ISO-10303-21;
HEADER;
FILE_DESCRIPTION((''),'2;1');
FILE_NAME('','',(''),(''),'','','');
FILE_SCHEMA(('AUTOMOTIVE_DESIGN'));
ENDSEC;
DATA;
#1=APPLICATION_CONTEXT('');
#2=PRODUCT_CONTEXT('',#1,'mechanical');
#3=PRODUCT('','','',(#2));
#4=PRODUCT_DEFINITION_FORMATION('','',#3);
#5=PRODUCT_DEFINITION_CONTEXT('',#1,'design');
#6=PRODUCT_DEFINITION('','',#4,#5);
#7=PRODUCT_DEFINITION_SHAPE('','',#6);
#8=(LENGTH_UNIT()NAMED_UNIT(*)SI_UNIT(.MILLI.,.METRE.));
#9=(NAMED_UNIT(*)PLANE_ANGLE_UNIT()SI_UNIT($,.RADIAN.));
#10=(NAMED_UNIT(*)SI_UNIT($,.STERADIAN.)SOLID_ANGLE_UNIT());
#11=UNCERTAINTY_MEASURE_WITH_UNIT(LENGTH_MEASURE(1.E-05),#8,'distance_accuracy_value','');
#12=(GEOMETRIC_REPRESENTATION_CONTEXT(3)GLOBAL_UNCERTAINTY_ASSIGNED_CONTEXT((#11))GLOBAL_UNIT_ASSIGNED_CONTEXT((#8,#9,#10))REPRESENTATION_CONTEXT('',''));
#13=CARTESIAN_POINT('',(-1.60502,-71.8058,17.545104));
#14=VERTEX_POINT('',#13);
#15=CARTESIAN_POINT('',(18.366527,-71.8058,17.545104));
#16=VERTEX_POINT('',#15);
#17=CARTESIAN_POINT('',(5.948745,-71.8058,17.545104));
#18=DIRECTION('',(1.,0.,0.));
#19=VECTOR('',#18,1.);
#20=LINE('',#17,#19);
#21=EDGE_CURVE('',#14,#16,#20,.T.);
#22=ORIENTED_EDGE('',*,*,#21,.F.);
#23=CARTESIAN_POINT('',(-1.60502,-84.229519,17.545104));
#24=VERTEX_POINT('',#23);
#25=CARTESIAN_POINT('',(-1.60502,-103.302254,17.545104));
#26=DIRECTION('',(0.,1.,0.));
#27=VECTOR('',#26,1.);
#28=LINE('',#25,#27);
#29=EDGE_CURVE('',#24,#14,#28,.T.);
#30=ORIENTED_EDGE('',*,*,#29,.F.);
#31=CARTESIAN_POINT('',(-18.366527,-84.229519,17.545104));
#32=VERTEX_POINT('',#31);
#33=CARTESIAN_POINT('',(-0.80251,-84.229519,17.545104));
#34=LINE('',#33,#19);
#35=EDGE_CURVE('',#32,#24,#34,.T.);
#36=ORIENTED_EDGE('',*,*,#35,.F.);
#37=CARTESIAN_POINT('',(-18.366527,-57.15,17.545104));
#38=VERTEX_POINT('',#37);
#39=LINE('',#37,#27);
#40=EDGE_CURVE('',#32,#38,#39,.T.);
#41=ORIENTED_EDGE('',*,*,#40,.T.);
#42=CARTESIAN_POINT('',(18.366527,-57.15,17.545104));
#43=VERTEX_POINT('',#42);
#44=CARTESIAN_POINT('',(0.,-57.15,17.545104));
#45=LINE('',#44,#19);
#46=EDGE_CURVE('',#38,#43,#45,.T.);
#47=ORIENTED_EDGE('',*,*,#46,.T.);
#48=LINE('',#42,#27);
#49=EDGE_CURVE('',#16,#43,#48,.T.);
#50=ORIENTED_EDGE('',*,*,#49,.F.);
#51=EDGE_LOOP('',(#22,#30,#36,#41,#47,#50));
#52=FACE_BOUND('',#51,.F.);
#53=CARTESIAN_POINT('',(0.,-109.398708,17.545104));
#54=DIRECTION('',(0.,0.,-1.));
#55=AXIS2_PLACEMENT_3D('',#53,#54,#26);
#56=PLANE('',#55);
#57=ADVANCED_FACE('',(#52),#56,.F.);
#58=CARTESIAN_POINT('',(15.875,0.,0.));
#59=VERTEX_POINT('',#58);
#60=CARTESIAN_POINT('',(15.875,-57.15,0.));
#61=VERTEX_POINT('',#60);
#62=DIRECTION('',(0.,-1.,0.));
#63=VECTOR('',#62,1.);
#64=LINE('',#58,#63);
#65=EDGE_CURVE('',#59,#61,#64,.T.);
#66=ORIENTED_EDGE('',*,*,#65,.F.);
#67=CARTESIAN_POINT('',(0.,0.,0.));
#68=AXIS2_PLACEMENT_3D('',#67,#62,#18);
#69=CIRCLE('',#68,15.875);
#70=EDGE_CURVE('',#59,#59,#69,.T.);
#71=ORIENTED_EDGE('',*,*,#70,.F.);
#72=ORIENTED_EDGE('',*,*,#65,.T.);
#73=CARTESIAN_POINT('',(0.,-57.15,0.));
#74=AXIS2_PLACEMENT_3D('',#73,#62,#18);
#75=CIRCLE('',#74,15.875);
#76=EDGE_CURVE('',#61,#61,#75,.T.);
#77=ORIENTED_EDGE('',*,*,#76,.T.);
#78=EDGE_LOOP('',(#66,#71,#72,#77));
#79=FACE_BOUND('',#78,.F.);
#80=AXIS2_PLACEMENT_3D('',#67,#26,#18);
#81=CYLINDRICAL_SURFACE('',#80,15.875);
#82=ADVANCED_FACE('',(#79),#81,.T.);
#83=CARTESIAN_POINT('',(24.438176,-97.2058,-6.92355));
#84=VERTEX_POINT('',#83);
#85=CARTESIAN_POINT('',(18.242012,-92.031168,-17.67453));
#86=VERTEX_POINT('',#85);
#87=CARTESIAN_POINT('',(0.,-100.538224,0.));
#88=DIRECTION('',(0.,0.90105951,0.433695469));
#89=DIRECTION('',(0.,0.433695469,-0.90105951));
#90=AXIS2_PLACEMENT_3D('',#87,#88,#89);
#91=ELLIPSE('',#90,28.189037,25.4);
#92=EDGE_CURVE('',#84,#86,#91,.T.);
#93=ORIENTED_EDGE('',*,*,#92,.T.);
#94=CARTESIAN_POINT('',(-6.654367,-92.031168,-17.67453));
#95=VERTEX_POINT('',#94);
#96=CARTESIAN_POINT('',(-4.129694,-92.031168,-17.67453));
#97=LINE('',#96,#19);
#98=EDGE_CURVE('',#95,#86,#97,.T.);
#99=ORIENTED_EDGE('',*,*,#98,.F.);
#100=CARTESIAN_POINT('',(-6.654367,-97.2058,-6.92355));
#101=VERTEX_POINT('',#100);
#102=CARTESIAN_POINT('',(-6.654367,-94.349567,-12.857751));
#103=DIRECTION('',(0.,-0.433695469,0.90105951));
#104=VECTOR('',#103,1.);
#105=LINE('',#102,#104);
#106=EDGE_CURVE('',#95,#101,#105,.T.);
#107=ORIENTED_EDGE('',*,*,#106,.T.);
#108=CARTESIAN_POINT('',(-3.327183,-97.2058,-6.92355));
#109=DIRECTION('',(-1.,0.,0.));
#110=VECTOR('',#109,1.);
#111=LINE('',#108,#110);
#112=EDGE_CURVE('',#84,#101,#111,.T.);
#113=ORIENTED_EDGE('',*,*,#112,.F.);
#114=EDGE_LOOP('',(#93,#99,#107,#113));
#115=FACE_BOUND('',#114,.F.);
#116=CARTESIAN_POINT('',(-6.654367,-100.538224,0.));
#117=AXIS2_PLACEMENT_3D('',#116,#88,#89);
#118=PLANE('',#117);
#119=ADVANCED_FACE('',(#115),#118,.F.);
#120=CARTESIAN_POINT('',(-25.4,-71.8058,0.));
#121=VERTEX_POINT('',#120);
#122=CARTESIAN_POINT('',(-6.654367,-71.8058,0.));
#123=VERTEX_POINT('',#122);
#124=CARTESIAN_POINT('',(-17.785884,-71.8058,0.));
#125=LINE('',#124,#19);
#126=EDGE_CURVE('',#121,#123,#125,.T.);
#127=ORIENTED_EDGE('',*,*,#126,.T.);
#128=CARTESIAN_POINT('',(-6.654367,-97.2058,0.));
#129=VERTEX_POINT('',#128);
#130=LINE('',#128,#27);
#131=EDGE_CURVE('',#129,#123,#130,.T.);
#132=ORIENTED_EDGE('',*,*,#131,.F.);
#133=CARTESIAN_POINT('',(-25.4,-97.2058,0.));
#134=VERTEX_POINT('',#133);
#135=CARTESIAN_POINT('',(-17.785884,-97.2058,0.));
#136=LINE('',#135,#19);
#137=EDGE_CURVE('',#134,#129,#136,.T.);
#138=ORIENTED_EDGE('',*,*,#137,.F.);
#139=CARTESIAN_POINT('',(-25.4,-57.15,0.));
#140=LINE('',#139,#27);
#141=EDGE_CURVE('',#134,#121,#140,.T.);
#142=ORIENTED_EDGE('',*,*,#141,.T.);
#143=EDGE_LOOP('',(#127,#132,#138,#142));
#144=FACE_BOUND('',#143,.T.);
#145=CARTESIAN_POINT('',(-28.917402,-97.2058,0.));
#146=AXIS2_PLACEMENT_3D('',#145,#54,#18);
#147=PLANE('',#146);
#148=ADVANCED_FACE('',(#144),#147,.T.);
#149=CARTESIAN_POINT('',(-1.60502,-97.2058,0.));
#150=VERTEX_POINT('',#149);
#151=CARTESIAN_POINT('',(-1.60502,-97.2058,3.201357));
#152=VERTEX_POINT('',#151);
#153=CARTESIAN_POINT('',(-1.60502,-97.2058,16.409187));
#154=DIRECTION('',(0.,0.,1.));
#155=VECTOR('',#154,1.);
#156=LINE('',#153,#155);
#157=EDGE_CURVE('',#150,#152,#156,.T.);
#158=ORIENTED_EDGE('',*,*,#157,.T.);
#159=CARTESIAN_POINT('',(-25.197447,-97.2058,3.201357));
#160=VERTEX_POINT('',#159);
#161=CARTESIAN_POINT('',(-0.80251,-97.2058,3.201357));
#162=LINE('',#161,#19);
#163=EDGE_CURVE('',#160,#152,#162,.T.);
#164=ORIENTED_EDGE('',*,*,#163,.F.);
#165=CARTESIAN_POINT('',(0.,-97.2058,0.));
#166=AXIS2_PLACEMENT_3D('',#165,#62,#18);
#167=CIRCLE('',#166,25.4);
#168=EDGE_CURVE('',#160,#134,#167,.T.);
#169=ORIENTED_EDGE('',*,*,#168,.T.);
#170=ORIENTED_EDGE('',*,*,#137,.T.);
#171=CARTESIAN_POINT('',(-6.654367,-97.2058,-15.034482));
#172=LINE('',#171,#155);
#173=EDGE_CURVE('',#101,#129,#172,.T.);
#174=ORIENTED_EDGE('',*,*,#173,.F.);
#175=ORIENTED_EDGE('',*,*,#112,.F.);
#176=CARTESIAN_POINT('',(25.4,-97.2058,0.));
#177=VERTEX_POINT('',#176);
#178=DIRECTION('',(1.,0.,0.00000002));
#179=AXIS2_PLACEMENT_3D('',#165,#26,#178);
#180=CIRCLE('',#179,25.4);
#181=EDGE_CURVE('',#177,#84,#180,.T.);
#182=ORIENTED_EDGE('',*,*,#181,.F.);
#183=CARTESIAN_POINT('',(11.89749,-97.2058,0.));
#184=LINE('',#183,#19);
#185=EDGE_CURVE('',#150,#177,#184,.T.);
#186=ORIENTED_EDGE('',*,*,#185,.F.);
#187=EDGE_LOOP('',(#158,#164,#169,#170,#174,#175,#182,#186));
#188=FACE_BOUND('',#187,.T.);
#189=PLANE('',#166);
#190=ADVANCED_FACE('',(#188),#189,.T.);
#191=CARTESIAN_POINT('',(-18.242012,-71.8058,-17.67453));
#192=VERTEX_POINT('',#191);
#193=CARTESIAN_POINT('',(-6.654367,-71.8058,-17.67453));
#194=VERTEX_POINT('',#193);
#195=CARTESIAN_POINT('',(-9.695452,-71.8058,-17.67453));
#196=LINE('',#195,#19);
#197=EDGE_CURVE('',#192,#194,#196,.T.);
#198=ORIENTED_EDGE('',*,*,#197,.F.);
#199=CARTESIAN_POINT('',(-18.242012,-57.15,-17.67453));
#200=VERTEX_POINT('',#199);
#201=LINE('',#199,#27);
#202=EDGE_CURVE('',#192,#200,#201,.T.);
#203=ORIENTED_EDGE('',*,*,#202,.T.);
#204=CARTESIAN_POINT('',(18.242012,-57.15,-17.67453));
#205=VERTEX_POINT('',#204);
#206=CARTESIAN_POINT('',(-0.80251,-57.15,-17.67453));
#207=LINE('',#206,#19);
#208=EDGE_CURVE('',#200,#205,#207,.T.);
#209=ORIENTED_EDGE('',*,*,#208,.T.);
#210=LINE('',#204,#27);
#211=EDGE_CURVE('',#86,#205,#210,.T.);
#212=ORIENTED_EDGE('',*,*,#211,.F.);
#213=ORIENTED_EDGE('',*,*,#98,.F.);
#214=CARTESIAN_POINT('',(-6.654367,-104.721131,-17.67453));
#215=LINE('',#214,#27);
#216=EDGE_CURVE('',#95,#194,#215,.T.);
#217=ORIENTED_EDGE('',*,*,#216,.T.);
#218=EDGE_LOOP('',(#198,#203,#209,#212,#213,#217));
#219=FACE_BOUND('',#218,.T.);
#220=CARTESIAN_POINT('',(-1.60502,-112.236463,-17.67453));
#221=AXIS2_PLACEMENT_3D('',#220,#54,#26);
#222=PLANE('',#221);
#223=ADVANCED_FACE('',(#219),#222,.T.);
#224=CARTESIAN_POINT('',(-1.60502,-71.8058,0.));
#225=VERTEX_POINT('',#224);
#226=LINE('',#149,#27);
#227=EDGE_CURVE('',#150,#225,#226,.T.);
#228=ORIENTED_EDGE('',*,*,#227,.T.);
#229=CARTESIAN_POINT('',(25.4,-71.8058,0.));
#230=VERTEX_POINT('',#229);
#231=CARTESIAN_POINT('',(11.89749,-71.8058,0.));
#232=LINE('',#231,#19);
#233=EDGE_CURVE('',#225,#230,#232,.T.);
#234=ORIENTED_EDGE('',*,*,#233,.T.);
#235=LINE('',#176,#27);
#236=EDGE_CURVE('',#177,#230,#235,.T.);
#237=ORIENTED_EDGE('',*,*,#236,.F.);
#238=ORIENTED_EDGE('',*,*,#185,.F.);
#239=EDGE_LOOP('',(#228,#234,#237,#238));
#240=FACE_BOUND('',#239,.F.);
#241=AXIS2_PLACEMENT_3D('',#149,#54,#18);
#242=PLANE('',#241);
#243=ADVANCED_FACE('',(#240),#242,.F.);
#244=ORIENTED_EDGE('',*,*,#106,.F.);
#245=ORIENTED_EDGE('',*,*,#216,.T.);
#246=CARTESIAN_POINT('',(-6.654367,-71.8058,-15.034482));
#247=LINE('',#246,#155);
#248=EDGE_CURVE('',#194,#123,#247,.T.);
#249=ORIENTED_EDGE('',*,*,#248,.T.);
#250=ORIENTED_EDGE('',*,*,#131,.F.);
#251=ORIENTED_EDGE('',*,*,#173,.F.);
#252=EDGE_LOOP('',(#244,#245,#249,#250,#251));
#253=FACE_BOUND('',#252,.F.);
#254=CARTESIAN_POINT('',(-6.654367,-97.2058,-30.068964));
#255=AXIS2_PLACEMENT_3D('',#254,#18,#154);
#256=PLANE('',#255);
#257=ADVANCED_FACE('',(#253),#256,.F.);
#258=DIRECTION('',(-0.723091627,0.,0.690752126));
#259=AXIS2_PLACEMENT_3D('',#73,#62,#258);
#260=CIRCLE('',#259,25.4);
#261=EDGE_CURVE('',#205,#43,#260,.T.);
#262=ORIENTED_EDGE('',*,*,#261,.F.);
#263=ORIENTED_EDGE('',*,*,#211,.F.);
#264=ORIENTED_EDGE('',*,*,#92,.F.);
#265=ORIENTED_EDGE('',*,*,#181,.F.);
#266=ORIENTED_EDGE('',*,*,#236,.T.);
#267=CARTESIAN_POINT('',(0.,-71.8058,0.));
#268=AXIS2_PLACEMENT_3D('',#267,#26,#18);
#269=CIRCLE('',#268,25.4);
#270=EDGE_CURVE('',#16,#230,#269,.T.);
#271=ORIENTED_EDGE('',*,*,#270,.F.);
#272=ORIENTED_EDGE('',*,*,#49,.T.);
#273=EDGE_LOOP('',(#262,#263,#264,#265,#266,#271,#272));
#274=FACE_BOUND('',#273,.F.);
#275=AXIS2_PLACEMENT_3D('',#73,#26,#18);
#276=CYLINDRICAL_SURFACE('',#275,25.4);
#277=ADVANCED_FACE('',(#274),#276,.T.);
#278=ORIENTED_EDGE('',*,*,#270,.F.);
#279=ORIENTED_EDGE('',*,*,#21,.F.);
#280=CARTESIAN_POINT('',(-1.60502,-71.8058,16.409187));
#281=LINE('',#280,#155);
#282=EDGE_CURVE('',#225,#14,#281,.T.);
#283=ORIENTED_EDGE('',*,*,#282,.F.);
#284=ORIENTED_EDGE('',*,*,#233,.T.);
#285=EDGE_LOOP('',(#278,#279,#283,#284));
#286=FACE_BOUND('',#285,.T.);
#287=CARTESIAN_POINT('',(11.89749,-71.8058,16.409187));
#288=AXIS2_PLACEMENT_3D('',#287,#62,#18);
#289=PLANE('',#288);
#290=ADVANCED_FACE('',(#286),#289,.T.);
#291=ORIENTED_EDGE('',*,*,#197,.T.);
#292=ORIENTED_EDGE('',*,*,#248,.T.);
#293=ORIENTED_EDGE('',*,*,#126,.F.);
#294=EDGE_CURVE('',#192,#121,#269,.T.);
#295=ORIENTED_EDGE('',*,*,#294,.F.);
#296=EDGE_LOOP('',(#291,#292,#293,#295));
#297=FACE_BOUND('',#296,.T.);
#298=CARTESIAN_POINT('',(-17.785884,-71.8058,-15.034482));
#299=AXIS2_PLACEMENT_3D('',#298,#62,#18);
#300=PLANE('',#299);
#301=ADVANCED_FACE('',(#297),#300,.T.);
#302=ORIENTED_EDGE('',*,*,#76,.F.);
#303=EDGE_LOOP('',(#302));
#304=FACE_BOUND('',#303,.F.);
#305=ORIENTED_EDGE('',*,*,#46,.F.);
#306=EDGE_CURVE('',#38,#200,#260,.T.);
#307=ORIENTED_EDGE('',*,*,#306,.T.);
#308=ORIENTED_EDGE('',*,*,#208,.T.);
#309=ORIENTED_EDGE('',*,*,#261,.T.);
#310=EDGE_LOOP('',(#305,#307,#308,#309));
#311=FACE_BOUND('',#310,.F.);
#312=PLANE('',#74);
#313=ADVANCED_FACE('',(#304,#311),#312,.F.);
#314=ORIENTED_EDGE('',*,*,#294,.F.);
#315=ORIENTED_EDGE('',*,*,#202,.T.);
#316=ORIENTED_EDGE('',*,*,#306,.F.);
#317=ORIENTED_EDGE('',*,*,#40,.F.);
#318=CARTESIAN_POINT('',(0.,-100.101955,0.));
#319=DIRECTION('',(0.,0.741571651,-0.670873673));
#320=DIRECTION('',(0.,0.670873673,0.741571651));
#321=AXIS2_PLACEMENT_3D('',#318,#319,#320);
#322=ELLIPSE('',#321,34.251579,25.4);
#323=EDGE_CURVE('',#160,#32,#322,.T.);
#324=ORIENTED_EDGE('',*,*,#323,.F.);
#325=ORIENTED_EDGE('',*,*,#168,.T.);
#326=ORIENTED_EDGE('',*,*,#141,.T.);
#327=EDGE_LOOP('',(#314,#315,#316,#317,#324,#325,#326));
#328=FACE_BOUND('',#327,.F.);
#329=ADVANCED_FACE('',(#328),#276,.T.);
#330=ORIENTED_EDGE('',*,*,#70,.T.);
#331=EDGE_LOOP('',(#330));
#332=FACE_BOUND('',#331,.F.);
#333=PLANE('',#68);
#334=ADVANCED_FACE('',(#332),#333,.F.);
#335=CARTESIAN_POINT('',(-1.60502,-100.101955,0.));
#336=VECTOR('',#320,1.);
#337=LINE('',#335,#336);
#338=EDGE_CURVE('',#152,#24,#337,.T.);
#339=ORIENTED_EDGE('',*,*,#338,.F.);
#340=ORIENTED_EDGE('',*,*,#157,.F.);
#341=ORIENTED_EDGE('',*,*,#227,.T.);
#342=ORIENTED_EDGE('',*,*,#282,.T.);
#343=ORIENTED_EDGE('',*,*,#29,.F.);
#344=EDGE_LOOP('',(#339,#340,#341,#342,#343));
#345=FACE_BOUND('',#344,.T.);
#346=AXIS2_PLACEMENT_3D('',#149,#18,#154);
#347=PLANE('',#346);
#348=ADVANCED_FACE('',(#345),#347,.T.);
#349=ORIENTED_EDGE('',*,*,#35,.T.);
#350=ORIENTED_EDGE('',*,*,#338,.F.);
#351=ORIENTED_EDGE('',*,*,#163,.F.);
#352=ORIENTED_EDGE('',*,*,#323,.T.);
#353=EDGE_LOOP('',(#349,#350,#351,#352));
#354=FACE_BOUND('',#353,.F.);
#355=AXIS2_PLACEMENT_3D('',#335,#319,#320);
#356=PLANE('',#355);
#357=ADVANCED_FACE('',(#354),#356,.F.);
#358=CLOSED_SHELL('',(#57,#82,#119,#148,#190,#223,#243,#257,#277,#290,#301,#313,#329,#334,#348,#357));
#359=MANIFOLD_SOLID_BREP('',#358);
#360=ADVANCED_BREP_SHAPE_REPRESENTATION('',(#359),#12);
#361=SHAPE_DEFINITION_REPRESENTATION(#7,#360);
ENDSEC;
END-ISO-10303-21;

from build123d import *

# Parameters (mm, degrees)
F0_R      = 15.875
F1_DEPTH  = 57.15
F2_R      = 25.4
F3_DEPTH  = 40.0558
F4_W      = 27.00502
F4_H      = 32.818373
F5_DEPTH  = 25.4
F6_W      = 22.263035
F6_H      = 30.068964
F7_DEPTH  = 25.4
F8_W      = 53.508617
F8_H      = 14.514484
F9_DEPTH  = 38.1
F11_DEPTH = 25.4
F12_W     = 57.841301
F12_H     = 15.814288
F13_DEPTH = 38.1
F15_DEPTH = 50.8


with BuildPart() as f1:
    # F0 (on Front) → F1 (new body)
    with BuildSketch(Plane.XZ):
        Circle(F0_R)
    extrude(amount=F1_DEPTH)

    # F2 (on face) → F3 (join)
    with BuildSketch(Plane.XZ.offset(57.15)):
        Circle(F2_R)
    extrude(amount=F3_DEPTH)

    # F4 (on face) → F5 (cut)
    with BuildSketch(Plane.XZ.offset(97.2058)):
        with Locations((11.89749, 16.409187)):
            Rectangle(F4_W, F4_H)
    extrude(amount=-F5_DEPTH, mode=Mode.SUBTRACT)

    # F6 (on face) → F7 (cut)
    with BuildSketch(Plane.XZ.offset(97.2058)):
        with Locations((-17.785884, -15.034482)):
            Rectangle(F6_W, F6_H)
    extrude(amount=-F7_DEPTH, mode=Mode.SUBTRACT)

    # F8 (on Right) → F9 (cut, symmetric)
    with BuildSketch(Plane.YZ):
        with Locations((-82.644399, 24.802346)):
            Rectangle(F8_W, F8_H)
    extrude(amount=F9_DEPTH, both=True, mode=Mode.SUBTRACT)

    # F10 (on face) → F11 (cut)
    with BuildSketch(Plane.YZ.offset(-1.60502)):
        Polygon((-104.001366, 21.551706), (-100.101955, 0), (-80.604888, 21.551706), align=None)
    extrude(amount=-F11_DEPTH, mode=Mode.SUBTRACT)

    # F12 (on face) → F13 (cut, symmetric)
    with BuildSketch(Plane.YZ.offset(-1.60502)):
        with Locations((-83.315812, -25.581674)):
            Rectangle(F12_W, F12_H)
    extrude(amount=F13_DEPTH, both=True, mode=Mode.SUBTRACT)

    # F14 (on face) → F15 (cut)
    with BuildSketch(Plane(origin=(-6.654367, 0, 0), x_dir=(0, -1, 0), z_dir=(-1, 0, 0))):
        Polygon((101.621397, -22.054199), (100.538224, 0), (89.923158, -22.054199), align=None)
    extrude(amount=-F15_DEPTH, mode=Mode.SUBTRACT)


solid = f1.part
